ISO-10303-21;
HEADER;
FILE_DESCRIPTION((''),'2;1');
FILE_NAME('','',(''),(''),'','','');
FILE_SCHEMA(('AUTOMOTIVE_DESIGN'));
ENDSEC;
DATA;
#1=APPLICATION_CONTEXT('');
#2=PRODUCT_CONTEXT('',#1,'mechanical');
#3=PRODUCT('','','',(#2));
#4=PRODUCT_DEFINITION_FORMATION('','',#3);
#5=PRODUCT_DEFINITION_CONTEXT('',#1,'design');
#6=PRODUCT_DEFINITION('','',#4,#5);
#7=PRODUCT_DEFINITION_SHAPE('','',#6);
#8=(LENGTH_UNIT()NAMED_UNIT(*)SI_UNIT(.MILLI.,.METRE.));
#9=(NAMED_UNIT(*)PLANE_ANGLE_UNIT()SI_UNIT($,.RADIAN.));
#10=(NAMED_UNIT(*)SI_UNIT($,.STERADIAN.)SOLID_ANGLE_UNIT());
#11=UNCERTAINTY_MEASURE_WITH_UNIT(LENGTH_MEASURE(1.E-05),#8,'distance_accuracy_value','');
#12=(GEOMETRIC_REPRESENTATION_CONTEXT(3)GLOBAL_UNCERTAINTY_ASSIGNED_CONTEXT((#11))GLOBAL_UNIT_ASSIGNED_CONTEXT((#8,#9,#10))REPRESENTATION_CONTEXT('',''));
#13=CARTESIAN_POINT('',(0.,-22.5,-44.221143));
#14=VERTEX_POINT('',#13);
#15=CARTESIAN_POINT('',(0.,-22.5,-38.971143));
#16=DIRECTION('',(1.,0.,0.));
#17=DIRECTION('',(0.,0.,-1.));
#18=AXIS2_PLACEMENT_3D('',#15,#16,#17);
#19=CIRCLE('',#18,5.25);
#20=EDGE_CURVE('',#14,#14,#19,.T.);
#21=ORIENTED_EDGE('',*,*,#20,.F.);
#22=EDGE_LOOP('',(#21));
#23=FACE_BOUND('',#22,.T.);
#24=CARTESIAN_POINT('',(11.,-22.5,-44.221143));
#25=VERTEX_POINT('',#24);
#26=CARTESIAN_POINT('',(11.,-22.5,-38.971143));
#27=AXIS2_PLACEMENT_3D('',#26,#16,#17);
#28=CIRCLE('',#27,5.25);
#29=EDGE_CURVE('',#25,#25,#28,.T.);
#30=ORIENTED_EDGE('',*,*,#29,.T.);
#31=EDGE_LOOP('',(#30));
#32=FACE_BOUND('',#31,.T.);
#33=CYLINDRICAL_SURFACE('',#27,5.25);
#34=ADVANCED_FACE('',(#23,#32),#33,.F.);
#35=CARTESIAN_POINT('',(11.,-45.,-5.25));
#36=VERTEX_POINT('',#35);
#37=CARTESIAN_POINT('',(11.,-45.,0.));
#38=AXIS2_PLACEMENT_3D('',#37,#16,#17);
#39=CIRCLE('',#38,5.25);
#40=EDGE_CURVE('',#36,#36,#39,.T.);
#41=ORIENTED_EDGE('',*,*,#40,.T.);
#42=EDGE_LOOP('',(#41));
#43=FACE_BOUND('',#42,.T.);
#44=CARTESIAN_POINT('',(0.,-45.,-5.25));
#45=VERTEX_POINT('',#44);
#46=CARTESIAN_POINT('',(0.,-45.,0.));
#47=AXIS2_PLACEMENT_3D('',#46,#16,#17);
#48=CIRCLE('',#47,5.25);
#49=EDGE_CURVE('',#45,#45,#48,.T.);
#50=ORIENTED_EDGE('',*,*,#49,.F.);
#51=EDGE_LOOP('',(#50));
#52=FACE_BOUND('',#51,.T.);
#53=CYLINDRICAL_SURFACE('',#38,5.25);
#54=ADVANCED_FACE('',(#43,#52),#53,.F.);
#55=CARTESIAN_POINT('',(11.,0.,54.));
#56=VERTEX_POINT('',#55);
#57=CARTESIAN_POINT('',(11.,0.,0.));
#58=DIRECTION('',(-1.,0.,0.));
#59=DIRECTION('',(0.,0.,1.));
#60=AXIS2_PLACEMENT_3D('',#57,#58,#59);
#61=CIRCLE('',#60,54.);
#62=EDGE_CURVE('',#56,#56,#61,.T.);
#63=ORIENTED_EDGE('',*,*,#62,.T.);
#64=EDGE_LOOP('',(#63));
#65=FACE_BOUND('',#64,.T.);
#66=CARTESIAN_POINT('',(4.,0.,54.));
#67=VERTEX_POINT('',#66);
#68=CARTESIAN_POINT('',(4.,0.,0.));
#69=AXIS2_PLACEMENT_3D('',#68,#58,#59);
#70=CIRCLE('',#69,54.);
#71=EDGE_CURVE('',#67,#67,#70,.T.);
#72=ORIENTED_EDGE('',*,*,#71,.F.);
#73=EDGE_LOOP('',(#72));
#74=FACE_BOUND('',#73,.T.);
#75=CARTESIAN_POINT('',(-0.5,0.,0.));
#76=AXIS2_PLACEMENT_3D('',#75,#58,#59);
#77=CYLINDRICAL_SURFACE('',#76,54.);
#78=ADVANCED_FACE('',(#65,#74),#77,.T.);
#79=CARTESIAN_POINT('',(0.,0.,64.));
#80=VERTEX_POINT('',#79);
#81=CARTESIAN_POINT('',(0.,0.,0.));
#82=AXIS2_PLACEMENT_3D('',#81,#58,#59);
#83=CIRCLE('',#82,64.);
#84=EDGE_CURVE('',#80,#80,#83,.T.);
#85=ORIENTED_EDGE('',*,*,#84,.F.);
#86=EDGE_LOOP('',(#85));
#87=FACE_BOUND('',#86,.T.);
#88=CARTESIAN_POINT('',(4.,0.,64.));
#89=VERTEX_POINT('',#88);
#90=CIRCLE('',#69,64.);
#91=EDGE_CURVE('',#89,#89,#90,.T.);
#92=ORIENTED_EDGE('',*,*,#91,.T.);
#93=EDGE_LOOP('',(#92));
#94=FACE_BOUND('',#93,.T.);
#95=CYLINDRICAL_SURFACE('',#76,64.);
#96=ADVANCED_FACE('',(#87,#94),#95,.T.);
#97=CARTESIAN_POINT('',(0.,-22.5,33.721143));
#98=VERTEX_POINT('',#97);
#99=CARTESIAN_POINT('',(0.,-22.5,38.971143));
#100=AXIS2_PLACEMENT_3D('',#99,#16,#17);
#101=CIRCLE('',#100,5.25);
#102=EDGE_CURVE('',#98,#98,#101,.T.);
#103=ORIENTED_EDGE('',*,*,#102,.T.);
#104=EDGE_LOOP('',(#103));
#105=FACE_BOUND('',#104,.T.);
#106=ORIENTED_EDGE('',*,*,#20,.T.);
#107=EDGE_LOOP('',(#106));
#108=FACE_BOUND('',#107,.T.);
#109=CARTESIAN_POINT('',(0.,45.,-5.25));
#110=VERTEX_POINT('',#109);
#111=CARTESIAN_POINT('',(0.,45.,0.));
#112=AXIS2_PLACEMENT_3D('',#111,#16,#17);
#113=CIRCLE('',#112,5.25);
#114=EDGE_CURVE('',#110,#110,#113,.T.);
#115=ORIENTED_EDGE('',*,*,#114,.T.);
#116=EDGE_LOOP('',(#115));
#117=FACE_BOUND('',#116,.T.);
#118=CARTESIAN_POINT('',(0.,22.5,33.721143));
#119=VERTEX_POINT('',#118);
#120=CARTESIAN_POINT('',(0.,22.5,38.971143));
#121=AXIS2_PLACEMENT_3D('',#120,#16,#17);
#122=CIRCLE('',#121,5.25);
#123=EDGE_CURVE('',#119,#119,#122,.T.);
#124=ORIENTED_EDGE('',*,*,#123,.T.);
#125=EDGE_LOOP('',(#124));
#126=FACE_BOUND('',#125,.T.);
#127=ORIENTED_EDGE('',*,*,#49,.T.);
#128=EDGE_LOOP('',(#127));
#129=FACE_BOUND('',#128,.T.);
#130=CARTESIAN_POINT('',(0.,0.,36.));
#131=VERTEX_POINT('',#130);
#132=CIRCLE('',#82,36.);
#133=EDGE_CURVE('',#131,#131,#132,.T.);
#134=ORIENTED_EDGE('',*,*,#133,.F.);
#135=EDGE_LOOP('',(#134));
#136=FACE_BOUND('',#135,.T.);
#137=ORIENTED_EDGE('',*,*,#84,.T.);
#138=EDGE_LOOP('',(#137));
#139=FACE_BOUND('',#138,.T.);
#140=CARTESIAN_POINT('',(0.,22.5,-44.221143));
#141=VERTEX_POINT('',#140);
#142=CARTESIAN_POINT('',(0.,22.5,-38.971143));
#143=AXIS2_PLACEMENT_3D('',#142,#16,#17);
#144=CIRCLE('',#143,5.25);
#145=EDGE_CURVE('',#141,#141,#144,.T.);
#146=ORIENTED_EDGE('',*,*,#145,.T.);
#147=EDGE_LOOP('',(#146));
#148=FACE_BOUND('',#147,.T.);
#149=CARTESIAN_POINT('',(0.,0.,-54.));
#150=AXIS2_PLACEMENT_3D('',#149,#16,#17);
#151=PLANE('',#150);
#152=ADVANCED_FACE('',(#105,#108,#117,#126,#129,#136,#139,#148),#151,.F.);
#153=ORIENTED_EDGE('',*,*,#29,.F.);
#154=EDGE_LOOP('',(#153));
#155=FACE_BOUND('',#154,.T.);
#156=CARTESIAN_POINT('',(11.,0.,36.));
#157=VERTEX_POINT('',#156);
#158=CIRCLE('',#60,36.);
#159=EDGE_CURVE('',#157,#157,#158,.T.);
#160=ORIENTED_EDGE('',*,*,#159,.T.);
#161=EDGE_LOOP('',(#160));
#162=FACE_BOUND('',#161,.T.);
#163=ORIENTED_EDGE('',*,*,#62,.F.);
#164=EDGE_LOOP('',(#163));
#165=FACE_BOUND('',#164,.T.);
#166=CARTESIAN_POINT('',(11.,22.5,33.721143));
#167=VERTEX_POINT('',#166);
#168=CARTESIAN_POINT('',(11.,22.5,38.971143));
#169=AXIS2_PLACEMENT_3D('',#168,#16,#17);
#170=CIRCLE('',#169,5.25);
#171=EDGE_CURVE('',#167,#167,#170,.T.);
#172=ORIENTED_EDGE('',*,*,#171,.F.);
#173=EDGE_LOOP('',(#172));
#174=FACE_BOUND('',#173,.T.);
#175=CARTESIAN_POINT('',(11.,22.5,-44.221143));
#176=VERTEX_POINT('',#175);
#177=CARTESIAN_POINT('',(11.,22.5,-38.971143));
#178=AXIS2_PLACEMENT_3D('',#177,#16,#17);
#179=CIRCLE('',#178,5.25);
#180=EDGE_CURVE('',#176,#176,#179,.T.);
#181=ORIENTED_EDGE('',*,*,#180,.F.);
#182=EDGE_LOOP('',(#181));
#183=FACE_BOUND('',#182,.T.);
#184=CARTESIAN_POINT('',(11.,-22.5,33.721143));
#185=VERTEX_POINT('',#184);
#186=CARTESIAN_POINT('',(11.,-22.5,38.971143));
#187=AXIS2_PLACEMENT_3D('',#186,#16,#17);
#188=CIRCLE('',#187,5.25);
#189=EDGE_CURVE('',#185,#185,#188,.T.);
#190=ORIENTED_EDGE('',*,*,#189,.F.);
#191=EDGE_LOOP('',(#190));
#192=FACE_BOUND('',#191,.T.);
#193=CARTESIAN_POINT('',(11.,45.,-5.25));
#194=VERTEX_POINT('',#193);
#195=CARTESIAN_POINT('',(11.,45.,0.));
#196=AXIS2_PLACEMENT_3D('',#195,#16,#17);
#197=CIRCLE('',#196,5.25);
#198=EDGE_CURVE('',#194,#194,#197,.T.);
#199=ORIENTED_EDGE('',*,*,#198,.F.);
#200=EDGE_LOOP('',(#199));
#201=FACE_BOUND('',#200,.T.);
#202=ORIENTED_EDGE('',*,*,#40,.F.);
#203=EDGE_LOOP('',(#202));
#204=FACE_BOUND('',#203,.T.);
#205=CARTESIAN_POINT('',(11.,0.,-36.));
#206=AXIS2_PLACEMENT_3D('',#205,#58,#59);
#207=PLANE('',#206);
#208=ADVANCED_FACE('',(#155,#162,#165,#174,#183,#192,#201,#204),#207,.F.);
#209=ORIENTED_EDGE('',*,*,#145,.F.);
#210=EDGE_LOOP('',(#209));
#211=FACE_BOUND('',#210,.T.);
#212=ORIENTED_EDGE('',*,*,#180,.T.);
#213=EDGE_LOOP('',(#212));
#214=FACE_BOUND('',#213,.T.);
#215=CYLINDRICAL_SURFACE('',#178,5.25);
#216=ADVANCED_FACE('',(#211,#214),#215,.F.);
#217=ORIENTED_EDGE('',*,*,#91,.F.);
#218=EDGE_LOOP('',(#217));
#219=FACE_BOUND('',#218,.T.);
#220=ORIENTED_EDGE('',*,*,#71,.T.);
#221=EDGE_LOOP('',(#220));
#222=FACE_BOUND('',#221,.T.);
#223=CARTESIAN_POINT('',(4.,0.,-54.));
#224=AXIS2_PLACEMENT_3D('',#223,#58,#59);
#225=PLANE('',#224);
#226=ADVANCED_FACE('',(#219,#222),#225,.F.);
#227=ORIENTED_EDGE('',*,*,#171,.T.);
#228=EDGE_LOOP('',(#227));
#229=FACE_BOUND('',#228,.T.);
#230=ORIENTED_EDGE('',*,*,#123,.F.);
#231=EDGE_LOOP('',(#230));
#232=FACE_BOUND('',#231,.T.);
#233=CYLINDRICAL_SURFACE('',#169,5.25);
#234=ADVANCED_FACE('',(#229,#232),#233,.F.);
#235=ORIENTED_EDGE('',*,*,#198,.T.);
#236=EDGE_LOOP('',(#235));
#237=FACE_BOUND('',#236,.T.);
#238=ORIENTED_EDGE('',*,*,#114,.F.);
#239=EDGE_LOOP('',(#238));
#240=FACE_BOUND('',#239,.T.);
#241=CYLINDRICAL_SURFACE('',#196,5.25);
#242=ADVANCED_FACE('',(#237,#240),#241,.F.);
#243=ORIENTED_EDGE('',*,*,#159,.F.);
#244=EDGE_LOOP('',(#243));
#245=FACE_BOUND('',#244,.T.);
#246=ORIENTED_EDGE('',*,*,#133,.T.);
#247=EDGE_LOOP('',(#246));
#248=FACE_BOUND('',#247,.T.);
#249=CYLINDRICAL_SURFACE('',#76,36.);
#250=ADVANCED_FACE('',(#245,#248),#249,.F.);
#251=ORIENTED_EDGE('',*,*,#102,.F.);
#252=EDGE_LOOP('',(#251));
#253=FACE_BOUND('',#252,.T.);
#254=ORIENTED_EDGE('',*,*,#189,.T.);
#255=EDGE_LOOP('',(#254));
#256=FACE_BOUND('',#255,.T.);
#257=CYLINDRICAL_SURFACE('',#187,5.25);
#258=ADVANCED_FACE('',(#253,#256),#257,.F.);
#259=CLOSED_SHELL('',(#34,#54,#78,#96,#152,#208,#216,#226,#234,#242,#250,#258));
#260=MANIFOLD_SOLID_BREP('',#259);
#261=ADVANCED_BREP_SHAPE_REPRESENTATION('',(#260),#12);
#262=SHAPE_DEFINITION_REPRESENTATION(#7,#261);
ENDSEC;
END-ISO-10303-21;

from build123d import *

# Parameters (mm, degrees)
M10_CLEARANCE_HOLE1_D = 10.5


with BuildPart() as part:
    # Sketch1 → Revolve1 (revolve)
    with BuildSketch(Plane(origin=(0, 0, 0), x_dir=(1, 0, 0), z_dir=(0, 1, 0)), mode=Mode.PRIVATE) as revolve1_sk:
        Polygon((0, 54), (0, 36), (11, 36), (11, 54), (4, 54), (4, 64), (0, 64), align=None)
    revolve(revolve1_sk.sketch.rotate(Axis((-0.5, 0, 0), (1, 0, 0)), 180), axis=Axis((-0.5, 0, 0), (1, 0, 0)))

    # M10 Clearance Hole1 (through all)
    with Locations(Plane(origin=(11, 0, 0), x_dir=(0, 0, -1), z_dir=(1, 0, 0))):
        with Locations((-38.97114317, 22.5), (0, 45), (38.97114317, 22.5), (38.97114317, -22.5), (0, -45), (-38.97114317, -22.5)):
            Hole(M10_CLEARANCE_HOLE1_D / 2)


solid = part.part
